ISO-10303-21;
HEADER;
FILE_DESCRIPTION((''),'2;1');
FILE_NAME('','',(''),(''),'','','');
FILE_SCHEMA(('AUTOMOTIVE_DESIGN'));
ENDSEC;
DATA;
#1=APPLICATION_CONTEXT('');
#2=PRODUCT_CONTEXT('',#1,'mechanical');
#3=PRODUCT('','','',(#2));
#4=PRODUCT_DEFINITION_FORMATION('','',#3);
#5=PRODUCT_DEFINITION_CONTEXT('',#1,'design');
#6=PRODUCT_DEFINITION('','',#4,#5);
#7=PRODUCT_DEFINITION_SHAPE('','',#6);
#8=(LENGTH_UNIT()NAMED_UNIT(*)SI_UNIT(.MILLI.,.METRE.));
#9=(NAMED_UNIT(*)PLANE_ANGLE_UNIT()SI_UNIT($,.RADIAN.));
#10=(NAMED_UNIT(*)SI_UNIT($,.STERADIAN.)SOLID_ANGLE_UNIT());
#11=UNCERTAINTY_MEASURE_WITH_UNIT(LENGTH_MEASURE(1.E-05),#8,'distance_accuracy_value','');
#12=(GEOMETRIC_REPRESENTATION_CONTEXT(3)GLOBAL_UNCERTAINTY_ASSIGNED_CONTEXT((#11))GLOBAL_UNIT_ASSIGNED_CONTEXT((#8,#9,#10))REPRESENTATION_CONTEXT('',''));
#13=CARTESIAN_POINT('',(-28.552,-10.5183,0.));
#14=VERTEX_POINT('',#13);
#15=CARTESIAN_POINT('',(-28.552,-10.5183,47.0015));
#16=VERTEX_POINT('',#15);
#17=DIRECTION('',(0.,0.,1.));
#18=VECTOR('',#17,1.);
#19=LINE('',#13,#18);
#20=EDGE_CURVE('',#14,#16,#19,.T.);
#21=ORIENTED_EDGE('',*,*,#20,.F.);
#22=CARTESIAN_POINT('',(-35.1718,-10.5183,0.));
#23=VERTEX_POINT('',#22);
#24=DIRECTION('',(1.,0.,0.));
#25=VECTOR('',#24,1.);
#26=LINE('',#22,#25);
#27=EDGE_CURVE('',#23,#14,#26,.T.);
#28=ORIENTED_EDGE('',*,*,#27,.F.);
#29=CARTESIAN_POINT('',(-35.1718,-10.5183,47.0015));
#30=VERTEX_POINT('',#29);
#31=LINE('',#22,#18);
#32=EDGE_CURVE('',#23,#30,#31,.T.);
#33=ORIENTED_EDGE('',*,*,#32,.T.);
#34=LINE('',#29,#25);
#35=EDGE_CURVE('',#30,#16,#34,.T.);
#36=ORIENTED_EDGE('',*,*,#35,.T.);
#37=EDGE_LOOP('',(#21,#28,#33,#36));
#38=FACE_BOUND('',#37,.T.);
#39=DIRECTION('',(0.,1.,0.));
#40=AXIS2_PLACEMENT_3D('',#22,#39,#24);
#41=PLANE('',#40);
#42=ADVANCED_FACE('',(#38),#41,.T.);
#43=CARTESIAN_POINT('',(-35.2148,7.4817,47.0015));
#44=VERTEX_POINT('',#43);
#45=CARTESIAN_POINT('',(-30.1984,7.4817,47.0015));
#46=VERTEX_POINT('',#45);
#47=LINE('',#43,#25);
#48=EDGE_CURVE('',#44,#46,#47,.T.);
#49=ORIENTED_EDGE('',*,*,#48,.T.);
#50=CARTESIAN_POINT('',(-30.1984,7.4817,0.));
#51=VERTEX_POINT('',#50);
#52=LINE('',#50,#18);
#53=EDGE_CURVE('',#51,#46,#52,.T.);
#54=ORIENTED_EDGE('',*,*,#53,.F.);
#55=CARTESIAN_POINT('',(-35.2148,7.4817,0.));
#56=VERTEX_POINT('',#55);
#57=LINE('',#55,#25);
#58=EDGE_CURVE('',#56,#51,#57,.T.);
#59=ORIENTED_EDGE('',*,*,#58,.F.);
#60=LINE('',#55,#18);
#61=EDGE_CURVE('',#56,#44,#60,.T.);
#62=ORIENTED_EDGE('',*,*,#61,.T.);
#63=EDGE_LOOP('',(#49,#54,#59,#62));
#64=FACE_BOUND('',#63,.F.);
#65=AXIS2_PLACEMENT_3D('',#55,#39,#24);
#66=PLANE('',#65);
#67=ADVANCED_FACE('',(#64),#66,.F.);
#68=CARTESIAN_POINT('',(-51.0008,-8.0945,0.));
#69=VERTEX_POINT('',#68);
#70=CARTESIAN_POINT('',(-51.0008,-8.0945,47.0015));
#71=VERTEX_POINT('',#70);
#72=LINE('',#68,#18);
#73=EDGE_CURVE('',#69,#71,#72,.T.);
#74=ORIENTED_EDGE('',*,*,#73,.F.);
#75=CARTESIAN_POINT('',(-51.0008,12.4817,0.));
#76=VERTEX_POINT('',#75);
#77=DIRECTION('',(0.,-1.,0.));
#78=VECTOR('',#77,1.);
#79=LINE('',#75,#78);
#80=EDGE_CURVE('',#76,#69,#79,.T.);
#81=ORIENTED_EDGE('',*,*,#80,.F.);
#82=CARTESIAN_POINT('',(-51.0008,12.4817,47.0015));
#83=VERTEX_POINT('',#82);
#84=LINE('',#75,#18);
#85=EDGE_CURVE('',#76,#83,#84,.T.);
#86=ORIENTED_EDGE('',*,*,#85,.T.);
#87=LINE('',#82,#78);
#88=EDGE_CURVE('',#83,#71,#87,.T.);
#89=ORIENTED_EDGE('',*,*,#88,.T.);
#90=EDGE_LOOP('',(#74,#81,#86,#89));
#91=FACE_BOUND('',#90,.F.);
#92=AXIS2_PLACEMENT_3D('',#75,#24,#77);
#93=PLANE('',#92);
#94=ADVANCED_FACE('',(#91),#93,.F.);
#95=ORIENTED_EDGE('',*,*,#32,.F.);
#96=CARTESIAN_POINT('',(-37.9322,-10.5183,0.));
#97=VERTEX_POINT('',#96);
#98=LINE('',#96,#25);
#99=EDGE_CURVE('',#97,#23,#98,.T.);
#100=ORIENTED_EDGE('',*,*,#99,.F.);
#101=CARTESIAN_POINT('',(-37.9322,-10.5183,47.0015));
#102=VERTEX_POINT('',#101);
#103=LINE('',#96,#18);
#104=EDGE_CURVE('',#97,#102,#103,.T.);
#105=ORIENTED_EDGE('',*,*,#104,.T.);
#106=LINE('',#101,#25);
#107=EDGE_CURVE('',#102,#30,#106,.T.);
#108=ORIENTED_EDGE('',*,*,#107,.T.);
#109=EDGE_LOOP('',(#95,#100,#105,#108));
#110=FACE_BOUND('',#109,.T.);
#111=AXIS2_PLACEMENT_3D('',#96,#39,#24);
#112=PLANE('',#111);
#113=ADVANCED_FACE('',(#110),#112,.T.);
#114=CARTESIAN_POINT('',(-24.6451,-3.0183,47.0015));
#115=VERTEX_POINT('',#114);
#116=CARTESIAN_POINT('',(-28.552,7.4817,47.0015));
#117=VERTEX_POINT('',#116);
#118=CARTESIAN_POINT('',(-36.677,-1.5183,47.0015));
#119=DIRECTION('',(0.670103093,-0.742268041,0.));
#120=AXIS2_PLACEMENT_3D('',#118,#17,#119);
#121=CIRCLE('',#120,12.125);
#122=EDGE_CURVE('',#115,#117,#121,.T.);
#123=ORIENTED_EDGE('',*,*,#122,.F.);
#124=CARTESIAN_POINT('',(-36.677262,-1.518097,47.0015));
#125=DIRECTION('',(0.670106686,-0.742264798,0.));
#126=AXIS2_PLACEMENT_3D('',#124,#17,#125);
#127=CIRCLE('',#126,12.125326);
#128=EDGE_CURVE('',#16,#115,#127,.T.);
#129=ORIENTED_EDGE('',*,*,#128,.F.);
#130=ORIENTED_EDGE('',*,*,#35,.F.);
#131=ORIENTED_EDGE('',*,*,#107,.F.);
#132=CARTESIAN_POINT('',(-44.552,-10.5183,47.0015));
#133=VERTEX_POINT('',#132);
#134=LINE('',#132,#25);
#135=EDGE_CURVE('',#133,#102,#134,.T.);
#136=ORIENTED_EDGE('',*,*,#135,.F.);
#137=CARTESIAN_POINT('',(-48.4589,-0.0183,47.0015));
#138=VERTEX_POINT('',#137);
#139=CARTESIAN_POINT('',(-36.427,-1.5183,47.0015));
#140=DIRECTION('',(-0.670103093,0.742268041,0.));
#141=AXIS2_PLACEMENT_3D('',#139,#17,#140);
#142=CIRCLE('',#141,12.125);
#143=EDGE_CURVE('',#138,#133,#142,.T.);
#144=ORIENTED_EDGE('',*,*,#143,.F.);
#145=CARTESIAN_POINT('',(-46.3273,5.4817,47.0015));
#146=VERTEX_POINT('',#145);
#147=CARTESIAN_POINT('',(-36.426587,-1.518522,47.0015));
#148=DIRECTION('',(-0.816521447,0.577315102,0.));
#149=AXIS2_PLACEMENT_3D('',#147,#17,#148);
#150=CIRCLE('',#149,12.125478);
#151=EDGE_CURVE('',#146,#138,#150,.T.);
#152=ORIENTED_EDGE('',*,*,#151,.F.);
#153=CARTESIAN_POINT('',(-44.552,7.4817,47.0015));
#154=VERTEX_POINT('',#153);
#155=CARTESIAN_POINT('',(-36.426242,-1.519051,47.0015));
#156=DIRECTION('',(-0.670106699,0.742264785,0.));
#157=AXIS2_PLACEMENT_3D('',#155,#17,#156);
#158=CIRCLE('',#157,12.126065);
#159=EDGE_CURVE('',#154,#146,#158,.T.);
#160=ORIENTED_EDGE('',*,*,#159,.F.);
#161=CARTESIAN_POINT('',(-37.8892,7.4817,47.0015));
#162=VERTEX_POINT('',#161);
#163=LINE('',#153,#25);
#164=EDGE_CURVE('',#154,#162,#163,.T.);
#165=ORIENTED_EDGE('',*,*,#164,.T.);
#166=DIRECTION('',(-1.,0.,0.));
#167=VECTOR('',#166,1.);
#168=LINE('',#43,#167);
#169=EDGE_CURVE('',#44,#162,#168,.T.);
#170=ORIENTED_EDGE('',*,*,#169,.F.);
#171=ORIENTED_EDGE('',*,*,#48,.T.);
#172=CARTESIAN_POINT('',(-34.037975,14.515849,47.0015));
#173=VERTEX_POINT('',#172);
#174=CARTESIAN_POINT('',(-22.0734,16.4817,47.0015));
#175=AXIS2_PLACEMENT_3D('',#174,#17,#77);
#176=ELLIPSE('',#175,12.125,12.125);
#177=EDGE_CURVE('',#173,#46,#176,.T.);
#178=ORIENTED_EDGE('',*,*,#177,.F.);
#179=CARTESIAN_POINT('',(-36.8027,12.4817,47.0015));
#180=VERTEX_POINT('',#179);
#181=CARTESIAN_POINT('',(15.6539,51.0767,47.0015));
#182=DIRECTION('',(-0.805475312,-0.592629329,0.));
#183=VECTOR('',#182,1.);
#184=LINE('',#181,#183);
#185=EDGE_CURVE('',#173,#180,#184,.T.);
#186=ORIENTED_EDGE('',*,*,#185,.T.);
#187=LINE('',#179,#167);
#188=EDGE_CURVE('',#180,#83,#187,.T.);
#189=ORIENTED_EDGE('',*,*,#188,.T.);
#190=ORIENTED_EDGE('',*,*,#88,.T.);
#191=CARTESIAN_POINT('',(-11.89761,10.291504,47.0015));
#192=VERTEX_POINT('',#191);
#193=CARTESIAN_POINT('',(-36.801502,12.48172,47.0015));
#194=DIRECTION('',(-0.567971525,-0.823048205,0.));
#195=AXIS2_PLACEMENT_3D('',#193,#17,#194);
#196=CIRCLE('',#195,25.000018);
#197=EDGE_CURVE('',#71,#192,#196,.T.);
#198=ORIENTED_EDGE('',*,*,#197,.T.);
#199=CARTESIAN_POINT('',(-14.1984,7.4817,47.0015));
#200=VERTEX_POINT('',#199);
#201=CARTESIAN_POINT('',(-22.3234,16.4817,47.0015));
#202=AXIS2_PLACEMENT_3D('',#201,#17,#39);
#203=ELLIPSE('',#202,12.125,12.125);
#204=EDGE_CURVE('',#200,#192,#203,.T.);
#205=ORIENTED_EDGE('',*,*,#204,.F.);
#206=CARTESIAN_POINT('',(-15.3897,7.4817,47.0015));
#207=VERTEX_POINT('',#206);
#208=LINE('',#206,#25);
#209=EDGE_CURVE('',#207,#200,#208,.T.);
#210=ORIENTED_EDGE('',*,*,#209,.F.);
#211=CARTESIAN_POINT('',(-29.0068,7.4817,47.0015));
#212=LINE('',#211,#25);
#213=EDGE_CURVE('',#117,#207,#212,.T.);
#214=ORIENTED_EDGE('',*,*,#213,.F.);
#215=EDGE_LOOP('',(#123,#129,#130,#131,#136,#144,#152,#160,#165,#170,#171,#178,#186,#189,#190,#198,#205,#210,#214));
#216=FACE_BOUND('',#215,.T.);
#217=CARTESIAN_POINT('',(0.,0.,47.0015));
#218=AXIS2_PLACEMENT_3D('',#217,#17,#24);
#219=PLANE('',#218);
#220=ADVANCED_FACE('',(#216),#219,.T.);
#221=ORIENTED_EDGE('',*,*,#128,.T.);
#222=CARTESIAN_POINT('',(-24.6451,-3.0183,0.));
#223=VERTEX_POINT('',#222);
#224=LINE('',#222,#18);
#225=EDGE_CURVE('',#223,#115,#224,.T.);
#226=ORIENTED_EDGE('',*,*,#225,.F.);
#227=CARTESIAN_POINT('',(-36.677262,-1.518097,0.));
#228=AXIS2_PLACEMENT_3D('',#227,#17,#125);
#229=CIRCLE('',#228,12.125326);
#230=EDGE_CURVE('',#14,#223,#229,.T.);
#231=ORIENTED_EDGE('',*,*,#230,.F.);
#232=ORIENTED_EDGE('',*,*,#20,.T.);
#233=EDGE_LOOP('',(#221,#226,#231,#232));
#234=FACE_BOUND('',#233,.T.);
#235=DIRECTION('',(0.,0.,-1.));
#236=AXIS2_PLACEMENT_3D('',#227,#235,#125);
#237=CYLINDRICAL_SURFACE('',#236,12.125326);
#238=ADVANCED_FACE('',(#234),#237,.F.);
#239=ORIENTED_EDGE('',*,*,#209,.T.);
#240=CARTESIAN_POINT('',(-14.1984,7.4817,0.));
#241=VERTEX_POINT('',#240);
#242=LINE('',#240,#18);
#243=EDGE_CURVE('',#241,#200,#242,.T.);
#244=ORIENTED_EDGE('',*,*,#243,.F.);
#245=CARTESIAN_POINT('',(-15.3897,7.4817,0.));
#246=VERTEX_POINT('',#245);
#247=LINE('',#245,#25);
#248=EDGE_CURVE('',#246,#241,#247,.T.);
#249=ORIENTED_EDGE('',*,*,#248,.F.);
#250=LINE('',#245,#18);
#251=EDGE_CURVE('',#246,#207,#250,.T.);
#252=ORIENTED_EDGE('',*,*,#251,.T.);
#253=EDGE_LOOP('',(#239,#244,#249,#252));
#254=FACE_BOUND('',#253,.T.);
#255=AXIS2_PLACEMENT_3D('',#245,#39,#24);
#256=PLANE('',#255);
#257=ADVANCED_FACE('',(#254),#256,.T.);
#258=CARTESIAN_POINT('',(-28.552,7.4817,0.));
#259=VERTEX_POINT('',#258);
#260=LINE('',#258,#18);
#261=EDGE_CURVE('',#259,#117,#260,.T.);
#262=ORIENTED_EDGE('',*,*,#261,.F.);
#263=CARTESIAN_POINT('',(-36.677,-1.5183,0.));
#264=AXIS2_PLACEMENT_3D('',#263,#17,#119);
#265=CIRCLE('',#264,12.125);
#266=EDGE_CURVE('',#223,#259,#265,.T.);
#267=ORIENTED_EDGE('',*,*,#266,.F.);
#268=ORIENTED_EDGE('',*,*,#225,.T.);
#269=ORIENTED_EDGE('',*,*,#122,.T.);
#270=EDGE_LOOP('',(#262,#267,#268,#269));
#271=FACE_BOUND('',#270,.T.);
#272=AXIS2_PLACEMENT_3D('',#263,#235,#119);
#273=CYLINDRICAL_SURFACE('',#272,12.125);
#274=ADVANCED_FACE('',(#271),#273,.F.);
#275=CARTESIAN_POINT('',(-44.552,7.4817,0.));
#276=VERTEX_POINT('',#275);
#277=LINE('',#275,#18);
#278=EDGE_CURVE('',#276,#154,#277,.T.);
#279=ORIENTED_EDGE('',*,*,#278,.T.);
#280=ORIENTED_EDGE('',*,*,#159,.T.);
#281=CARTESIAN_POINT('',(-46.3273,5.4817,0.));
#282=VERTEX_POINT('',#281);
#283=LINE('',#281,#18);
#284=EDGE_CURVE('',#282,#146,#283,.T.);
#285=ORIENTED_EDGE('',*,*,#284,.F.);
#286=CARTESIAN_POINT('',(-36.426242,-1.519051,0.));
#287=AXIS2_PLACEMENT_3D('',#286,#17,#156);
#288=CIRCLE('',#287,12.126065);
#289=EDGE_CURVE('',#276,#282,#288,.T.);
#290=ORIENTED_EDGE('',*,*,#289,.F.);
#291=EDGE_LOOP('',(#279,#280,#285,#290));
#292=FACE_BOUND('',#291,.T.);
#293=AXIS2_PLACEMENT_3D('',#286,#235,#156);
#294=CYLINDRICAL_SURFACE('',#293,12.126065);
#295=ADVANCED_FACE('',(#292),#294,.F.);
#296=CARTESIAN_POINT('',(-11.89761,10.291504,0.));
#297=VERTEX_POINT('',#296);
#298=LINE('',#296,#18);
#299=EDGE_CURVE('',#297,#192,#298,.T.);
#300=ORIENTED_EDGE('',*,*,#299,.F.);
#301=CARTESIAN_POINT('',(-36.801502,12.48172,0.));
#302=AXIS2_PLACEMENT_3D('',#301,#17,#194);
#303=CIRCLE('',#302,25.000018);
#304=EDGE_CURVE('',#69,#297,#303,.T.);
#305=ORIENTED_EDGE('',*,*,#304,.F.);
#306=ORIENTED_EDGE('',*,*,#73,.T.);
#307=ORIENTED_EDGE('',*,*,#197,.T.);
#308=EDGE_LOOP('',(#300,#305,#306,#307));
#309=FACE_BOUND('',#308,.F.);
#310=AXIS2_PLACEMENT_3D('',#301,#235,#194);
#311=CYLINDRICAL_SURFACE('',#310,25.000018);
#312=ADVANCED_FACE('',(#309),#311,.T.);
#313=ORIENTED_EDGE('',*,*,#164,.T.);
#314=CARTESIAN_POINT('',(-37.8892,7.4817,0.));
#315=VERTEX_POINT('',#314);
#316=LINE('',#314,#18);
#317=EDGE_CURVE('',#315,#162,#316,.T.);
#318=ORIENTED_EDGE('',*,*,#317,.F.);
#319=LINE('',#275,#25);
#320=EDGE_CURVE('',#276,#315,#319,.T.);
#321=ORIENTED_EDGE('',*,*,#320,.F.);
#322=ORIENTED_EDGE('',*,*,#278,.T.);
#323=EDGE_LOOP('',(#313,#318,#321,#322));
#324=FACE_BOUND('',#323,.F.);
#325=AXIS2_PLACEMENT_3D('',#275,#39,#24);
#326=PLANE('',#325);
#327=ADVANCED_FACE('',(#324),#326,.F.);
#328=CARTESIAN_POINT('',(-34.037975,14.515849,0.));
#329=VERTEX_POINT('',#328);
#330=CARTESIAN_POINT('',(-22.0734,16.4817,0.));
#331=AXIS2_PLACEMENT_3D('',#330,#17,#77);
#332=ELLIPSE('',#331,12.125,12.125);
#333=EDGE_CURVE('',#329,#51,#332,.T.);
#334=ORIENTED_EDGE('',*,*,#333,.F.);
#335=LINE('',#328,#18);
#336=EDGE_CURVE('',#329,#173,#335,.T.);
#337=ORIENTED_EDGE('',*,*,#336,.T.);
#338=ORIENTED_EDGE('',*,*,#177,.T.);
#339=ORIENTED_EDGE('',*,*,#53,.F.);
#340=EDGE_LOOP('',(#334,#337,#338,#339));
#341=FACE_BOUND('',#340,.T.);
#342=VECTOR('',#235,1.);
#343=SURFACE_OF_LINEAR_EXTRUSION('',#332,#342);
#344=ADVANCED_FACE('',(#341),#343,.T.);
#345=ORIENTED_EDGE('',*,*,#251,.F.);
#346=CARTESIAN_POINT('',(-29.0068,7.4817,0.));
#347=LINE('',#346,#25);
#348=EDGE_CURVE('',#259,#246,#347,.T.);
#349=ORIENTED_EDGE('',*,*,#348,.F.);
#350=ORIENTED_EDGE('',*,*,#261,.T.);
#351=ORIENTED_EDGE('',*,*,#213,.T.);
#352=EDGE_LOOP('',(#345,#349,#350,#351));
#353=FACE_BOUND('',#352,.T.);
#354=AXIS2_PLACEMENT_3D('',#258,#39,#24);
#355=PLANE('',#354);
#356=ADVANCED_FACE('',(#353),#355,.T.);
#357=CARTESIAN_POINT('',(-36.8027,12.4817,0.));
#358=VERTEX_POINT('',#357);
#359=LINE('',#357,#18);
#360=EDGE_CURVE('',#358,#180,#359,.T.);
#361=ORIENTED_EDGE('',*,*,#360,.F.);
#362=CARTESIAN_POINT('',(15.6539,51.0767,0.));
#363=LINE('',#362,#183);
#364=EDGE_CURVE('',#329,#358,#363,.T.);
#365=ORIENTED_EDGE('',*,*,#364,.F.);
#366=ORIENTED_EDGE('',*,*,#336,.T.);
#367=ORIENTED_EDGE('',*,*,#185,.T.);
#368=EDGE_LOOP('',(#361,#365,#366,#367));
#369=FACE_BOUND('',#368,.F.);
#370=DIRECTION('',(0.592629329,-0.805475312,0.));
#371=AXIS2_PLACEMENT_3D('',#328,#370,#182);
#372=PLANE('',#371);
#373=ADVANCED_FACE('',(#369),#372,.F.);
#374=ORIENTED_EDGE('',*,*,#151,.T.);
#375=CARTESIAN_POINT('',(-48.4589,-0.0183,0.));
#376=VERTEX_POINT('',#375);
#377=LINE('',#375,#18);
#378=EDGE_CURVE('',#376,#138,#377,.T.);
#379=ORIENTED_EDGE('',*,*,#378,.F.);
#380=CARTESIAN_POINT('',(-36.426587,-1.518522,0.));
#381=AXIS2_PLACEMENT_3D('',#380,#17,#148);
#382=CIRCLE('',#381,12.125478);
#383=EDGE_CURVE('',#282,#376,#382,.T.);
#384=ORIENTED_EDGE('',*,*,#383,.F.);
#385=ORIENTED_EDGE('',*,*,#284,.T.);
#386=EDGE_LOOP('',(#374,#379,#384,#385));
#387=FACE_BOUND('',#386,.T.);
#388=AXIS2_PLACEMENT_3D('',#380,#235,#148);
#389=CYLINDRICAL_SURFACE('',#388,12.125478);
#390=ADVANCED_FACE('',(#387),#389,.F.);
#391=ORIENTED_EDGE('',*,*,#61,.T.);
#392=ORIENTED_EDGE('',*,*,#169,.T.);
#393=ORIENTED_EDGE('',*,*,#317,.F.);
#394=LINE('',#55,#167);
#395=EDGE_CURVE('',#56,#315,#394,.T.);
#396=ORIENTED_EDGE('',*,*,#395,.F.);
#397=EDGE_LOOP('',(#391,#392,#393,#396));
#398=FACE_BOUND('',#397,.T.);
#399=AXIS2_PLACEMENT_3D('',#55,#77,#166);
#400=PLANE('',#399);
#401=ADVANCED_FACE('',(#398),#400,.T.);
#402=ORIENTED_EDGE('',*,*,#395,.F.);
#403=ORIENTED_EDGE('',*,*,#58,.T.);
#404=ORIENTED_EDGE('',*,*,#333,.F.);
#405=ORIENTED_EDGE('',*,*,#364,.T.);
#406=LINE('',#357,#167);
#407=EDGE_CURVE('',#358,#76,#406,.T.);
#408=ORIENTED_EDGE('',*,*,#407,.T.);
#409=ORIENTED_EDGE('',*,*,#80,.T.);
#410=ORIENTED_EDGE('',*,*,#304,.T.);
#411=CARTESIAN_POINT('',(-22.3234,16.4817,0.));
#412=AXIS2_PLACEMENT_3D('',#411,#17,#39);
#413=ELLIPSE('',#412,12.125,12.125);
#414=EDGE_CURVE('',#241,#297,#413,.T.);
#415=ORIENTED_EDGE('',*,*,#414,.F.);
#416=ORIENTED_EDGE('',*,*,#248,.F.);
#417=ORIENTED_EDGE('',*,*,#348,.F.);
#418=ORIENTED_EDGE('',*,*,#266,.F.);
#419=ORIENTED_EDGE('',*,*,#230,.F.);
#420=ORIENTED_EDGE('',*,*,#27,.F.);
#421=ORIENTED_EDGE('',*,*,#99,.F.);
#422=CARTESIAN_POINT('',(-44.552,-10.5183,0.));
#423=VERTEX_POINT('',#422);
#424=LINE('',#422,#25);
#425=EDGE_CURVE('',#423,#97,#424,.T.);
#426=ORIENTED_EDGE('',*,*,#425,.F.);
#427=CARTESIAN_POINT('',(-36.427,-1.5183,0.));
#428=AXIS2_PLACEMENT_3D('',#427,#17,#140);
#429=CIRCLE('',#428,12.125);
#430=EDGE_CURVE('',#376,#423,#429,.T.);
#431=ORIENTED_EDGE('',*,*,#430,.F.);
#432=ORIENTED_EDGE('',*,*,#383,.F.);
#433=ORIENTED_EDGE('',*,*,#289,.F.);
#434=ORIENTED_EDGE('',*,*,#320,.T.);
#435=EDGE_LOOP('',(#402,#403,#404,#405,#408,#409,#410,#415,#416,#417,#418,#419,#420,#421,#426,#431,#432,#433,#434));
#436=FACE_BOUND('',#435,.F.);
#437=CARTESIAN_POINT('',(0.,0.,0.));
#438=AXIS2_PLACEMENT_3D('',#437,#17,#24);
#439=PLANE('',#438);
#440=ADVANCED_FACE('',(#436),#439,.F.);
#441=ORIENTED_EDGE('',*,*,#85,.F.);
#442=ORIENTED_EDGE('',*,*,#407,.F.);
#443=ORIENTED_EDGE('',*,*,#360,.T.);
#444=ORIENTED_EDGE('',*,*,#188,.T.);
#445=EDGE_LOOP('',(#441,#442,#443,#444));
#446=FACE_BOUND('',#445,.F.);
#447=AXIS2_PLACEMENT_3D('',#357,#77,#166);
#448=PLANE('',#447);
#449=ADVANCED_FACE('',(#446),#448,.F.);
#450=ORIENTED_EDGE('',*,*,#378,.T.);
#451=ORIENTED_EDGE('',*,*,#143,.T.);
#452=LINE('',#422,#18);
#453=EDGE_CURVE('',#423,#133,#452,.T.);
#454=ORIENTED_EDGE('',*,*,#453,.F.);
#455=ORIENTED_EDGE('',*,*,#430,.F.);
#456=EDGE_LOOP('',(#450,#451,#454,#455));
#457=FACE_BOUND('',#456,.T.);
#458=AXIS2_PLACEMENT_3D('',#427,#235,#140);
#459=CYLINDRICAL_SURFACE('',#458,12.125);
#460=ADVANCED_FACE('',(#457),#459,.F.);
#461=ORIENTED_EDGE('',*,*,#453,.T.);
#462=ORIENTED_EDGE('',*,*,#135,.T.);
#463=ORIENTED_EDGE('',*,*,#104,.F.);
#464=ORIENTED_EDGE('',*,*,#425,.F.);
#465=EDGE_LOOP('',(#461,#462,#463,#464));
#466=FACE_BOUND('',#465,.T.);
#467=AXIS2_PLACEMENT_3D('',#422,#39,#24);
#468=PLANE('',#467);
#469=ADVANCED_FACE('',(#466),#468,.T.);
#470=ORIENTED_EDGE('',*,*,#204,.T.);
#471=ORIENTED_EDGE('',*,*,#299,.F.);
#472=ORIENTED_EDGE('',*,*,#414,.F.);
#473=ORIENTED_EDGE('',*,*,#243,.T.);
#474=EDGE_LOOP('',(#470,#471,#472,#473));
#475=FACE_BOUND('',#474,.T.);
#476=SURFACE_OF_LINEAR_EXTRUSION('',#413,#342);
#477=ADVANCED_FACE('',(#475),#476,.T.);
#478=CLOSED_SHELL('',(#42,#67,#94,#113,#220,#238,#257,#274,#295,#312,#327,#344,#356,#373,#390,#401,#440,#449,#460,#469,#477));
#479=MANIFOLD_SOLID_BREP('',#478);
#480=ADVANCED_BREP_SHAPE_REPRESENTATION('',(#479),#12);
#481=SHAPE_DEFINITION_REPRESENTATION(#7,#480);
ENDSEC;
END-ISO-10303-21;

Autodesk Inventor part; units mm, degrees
ref_plane "YZ Plane" through (0, 0, 0) normal (1, 0, 0) x (0, 1, 0)
ref_plane "XZ Plane" through (0, 0, 0) normal (0, 1, 0) x (-1, 0, 0)
ref_plane "Work Plane1" through (-51.0014, -51.0767, 47.0039) normal (0, 0, -1) x (0, 1, 0)
sketch "Sketch1" plane through (0, 0, 0) normal (0, 0, 1) x (1, 0, 0)
  arc A0 (-51.0008, -8.0945) -> (-16.665, 27.298) centre (-36.8015, 12.4817) ccw
  line L0 (15.6539, 51.0767) -> (-36.8027, 12.4817) projected
  line L1 (-36.8027, 12.4817) -> (-51.0008, 12.4817) projected
  line L2 (-51.0008, 12.4817) -> (-51.0008, -51.0767) projected
  line L3 (-15.3897, 25.4817) -> (-29.0068, 25.4817) projected
  line L4 (-14.1984, 25.4817) -> (-15.3897, 25.4817) projected
  ellipse E0 centre (-22.3234, 16.4817) end of major axis (-22.3234, 28.6067) minor radius 12.125 (-14.1984, 7.4817) -> (-14.1984, 25.4817) ccw projected
  line L5 (-15.3897, 7.4817) -> (-14.1984, 7.4817) projected
  line L6 (-29.0068, 7.4817) -> (-15.3897, 7.4817) projected
  line L7 (-30.1984, 7.4817) -> (-29.0068, 7.4817) projected
  ellipse E1 centre (-22.0734, 16.4817) end of major axis (-22.0734, 4.3567) minor radius 12.125 (-30.1984, 25.4817) -> (-30.1984, 7.4817) ccw projected
  line L8 (-44.552, -10.5183) -> (-37.9322, -10.5183) projected
  line L9 (-37.9322, -10.5183) -> (-35.1718, -10.5183) projected
  line L10 (-35.1718, -10.5183) -> (-28.552, -10.5183) projected
  arc A1 (-28.552, -10.5183) -> (-24.6451, -3.0183) centre (-36.677, -1.5183) ccw projected
  arc A2 (-28.552, -10.5183) -> (-28.552, 7.4817) centre (-36.677, -1.5183) ccw projected
  line L11 (-35.2148, 7.4817) -> (-28.552, 7.4817) projected
  line L12 (-35.2148, 7.4817) -> (-37.8892, 7.4817) projected
  line L13 (-44.552, 7.4817) -> (-37.8892, 7.4817) projected
  arc A3 (-44.552, 7.4817) -> (-46.3273, 5.4817) centre (-36.427, -1.5183) ccw projected
  ellipse E2 centre (-36.4279, -1.5183) end of major axis (-36.4279, -13.1433) minor radius 11.625 (-44.3583, 6.9817) -> (-44.3583, -10.0183) ccw projected
  arc A4 (-46.3273, 5.4817) -> (-48.4589, -0.0183) centre (-36.427, -1.5183) ccw projected
  arc A5 (-44.552, 7.4817) -> (-44.552, -10.5183) centre (-36.427, -1.5183) ccw projected
  point P0 (0, 0)
  point P1 (-11.8976, 10.2915)
  point P2 (-34.0379, 14.5159)
  point P3 (-15.4473, 25.4817)
  point P4 (-19.1337, 25.4817)
  point P5 (-16.6653, 27.2981)
  point P6 (-51.0008, -8.0945)
  dimension "d0" = 50
extrude "Extrusion1" add sketch "Sketch1" along normal up to surface (47.0015 mm away) contours L2 L1 L0 E1 L11 L12 L13 A3 A4 A5 L8 L9 L10 A1 A2 L6 L5 E0 A0
properties part number "ROTATE"
